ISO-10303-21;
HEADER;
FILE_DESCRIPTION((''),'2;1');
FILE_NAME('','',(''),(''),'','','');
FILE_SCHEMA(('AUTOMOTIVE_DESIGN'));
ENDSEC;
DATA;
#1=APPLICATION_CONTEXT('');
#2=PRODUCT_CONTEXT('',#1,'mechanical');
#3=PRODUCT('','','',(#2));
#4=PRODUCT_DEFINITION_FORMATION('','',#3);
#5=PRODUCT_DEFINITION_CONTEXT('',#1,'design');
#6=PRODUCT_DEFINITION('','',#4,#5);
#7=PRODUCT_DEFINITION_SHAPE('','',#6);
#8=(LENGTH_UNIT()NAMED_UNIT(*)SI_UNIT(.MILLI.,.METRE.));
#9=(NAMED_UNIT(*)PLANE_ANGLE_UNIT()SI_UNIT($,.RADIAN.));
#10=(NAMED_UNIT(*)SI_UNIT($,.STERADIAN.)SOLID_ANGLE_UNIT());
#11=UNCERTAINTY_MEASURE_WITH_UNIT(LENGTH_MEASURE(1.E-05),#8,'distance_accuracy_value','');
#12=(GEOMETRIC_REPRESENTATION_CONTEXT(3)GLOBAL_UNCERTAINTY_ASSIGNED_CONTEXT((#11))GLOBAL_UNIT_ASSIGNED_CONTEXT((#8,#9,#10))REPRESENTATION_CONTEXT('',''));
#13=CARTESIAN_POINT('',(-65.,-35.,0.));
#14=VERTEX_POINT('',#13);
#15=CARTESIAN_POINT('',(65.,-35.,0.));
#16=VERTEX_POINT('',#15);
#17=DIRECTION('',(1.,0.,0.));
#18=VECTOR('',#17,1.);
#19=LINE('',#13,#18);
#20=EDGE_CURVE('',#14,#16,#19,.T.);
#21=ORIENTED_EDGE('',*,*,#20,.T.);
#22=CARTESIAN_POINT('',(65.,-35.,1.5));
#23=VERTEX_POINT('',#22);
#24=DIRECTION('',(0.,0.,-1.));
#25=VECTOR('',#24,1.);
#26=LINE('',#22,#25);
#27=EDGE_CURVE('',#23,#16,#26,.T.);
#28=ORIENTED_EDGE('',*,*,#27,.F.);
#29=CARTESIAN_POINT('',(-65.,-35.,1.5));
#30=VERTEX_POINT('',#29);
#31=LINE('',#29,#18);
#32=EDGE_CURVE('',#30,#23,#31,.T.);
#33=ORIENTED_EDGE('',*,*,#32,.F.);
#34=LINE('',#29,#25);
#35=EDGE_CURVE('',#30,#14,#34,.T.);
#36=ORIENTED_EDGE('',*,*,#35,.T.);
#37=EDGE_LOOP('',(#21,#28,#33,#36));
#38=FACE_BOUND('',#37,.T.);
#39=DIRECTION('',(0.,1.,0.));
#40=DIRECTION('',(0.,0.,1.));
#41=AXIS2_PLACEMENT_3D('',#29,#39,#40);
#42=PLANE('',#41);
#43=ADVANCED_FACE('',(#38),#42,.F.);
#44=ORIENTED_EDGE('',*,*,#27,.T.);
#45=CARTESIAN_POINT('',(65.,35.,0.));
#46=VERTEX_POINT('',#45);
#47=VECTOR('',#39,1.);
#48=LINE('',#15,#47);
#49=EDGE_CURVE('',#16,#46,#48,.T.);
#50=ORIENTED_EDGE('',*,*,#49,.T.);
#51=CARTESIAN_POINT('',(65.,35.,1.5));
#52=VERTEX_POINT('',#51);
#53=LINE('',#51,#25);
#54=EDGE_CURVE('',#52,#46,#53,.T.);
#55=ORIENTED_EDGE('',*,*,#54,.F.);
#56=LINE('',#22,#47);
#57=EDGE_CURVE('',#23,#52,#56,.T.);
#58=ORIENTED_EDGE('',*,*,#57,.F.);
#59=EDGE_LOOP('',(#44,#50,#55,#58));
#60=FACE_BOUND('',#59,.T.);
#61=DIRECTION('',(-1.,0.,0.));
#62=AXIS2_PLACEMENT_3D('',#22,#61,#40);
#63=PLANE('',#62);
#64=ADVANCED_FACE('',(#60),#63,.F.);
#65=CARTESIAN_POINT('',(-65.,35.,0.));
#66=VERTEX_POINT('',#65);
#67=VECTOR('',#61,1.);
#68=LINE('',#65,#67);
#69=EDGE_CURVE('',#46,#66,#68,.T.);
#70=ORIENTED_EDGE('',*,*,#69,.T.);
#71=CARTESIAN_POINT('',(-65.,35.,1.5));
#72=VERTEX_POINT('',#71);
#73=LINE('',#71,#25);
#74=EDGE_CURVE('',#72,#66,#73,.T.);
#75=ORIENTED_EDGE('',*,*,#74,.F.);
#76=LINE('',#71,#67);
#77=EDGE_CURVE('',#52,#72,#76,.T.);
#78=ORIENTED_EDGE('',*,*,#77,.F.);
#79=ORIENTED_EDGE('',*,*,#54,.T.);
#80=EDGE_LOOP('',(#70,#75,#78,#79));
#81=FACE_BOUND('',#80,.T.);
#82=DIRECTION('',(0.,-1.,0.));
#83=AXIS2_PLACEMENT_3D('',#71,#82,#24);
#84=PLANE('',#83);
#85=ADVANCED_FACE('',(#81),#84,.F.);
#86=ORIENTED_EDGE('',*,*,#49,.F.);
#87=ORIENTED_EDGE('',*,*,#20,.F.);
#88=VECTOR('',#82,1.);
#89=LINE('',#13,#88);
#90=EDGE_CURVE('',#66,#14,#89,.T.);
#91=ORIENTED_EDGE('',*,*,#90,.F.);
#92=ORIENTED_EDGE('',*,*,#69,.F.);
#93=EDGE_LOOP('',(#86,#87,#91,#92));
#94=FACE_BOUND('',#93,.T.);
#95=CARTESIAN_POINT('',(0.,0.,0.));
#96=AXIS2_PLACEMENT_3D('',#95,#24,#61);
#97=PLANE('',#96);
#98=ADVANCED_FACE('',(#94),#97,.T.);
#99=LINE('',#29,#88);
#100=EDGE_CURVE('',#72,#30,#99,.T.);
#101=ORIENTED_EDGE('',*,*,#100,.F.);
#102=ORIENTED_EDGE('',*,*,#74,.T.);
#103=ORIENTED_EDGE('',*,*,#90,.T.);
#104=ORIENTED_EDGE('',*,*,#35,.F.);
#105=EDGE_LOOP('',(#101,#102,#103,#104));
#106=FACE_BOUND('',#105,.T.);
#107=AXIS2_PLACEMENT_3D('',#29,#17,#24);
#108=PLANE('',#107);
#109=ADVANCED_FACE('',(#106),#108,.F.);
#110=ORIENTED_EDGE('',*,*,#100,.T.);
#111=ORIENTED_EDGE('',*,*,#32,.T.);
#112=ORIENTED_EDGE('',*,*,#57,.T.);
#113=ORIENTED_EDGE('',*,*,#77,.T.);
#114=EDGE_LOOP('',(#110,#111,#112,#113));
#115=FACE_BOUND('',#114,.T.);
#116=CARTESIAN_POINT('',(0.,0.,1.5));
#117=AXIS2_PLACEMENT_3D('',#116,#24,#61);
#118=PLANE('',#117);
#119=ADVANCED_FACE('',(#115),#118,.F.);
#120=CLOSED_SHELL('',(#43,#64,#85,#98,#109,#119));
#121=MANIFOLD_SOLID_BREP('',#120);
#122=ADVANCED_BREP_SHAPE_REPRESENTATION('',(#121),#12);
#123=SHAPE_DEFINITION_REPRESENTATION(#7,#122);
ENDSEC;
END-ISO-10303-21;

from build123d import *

# Parameters (mm, degrees)
SKETCH1_W           = 130
SKETCH1_H           = 70
BOSS_EXTRUDE1_DEPTH = 1.5


with BuildPart() as part:
    # Sketch1 → Boss-Extrude1 (new body)
    with BuildSketch(Plane.XY):
        Rectangle(SKETCH1_W, SKETCH1_H)
    extrude(amount=BOSS_EXTRUDE1_DEPTH)


solid = part.part
